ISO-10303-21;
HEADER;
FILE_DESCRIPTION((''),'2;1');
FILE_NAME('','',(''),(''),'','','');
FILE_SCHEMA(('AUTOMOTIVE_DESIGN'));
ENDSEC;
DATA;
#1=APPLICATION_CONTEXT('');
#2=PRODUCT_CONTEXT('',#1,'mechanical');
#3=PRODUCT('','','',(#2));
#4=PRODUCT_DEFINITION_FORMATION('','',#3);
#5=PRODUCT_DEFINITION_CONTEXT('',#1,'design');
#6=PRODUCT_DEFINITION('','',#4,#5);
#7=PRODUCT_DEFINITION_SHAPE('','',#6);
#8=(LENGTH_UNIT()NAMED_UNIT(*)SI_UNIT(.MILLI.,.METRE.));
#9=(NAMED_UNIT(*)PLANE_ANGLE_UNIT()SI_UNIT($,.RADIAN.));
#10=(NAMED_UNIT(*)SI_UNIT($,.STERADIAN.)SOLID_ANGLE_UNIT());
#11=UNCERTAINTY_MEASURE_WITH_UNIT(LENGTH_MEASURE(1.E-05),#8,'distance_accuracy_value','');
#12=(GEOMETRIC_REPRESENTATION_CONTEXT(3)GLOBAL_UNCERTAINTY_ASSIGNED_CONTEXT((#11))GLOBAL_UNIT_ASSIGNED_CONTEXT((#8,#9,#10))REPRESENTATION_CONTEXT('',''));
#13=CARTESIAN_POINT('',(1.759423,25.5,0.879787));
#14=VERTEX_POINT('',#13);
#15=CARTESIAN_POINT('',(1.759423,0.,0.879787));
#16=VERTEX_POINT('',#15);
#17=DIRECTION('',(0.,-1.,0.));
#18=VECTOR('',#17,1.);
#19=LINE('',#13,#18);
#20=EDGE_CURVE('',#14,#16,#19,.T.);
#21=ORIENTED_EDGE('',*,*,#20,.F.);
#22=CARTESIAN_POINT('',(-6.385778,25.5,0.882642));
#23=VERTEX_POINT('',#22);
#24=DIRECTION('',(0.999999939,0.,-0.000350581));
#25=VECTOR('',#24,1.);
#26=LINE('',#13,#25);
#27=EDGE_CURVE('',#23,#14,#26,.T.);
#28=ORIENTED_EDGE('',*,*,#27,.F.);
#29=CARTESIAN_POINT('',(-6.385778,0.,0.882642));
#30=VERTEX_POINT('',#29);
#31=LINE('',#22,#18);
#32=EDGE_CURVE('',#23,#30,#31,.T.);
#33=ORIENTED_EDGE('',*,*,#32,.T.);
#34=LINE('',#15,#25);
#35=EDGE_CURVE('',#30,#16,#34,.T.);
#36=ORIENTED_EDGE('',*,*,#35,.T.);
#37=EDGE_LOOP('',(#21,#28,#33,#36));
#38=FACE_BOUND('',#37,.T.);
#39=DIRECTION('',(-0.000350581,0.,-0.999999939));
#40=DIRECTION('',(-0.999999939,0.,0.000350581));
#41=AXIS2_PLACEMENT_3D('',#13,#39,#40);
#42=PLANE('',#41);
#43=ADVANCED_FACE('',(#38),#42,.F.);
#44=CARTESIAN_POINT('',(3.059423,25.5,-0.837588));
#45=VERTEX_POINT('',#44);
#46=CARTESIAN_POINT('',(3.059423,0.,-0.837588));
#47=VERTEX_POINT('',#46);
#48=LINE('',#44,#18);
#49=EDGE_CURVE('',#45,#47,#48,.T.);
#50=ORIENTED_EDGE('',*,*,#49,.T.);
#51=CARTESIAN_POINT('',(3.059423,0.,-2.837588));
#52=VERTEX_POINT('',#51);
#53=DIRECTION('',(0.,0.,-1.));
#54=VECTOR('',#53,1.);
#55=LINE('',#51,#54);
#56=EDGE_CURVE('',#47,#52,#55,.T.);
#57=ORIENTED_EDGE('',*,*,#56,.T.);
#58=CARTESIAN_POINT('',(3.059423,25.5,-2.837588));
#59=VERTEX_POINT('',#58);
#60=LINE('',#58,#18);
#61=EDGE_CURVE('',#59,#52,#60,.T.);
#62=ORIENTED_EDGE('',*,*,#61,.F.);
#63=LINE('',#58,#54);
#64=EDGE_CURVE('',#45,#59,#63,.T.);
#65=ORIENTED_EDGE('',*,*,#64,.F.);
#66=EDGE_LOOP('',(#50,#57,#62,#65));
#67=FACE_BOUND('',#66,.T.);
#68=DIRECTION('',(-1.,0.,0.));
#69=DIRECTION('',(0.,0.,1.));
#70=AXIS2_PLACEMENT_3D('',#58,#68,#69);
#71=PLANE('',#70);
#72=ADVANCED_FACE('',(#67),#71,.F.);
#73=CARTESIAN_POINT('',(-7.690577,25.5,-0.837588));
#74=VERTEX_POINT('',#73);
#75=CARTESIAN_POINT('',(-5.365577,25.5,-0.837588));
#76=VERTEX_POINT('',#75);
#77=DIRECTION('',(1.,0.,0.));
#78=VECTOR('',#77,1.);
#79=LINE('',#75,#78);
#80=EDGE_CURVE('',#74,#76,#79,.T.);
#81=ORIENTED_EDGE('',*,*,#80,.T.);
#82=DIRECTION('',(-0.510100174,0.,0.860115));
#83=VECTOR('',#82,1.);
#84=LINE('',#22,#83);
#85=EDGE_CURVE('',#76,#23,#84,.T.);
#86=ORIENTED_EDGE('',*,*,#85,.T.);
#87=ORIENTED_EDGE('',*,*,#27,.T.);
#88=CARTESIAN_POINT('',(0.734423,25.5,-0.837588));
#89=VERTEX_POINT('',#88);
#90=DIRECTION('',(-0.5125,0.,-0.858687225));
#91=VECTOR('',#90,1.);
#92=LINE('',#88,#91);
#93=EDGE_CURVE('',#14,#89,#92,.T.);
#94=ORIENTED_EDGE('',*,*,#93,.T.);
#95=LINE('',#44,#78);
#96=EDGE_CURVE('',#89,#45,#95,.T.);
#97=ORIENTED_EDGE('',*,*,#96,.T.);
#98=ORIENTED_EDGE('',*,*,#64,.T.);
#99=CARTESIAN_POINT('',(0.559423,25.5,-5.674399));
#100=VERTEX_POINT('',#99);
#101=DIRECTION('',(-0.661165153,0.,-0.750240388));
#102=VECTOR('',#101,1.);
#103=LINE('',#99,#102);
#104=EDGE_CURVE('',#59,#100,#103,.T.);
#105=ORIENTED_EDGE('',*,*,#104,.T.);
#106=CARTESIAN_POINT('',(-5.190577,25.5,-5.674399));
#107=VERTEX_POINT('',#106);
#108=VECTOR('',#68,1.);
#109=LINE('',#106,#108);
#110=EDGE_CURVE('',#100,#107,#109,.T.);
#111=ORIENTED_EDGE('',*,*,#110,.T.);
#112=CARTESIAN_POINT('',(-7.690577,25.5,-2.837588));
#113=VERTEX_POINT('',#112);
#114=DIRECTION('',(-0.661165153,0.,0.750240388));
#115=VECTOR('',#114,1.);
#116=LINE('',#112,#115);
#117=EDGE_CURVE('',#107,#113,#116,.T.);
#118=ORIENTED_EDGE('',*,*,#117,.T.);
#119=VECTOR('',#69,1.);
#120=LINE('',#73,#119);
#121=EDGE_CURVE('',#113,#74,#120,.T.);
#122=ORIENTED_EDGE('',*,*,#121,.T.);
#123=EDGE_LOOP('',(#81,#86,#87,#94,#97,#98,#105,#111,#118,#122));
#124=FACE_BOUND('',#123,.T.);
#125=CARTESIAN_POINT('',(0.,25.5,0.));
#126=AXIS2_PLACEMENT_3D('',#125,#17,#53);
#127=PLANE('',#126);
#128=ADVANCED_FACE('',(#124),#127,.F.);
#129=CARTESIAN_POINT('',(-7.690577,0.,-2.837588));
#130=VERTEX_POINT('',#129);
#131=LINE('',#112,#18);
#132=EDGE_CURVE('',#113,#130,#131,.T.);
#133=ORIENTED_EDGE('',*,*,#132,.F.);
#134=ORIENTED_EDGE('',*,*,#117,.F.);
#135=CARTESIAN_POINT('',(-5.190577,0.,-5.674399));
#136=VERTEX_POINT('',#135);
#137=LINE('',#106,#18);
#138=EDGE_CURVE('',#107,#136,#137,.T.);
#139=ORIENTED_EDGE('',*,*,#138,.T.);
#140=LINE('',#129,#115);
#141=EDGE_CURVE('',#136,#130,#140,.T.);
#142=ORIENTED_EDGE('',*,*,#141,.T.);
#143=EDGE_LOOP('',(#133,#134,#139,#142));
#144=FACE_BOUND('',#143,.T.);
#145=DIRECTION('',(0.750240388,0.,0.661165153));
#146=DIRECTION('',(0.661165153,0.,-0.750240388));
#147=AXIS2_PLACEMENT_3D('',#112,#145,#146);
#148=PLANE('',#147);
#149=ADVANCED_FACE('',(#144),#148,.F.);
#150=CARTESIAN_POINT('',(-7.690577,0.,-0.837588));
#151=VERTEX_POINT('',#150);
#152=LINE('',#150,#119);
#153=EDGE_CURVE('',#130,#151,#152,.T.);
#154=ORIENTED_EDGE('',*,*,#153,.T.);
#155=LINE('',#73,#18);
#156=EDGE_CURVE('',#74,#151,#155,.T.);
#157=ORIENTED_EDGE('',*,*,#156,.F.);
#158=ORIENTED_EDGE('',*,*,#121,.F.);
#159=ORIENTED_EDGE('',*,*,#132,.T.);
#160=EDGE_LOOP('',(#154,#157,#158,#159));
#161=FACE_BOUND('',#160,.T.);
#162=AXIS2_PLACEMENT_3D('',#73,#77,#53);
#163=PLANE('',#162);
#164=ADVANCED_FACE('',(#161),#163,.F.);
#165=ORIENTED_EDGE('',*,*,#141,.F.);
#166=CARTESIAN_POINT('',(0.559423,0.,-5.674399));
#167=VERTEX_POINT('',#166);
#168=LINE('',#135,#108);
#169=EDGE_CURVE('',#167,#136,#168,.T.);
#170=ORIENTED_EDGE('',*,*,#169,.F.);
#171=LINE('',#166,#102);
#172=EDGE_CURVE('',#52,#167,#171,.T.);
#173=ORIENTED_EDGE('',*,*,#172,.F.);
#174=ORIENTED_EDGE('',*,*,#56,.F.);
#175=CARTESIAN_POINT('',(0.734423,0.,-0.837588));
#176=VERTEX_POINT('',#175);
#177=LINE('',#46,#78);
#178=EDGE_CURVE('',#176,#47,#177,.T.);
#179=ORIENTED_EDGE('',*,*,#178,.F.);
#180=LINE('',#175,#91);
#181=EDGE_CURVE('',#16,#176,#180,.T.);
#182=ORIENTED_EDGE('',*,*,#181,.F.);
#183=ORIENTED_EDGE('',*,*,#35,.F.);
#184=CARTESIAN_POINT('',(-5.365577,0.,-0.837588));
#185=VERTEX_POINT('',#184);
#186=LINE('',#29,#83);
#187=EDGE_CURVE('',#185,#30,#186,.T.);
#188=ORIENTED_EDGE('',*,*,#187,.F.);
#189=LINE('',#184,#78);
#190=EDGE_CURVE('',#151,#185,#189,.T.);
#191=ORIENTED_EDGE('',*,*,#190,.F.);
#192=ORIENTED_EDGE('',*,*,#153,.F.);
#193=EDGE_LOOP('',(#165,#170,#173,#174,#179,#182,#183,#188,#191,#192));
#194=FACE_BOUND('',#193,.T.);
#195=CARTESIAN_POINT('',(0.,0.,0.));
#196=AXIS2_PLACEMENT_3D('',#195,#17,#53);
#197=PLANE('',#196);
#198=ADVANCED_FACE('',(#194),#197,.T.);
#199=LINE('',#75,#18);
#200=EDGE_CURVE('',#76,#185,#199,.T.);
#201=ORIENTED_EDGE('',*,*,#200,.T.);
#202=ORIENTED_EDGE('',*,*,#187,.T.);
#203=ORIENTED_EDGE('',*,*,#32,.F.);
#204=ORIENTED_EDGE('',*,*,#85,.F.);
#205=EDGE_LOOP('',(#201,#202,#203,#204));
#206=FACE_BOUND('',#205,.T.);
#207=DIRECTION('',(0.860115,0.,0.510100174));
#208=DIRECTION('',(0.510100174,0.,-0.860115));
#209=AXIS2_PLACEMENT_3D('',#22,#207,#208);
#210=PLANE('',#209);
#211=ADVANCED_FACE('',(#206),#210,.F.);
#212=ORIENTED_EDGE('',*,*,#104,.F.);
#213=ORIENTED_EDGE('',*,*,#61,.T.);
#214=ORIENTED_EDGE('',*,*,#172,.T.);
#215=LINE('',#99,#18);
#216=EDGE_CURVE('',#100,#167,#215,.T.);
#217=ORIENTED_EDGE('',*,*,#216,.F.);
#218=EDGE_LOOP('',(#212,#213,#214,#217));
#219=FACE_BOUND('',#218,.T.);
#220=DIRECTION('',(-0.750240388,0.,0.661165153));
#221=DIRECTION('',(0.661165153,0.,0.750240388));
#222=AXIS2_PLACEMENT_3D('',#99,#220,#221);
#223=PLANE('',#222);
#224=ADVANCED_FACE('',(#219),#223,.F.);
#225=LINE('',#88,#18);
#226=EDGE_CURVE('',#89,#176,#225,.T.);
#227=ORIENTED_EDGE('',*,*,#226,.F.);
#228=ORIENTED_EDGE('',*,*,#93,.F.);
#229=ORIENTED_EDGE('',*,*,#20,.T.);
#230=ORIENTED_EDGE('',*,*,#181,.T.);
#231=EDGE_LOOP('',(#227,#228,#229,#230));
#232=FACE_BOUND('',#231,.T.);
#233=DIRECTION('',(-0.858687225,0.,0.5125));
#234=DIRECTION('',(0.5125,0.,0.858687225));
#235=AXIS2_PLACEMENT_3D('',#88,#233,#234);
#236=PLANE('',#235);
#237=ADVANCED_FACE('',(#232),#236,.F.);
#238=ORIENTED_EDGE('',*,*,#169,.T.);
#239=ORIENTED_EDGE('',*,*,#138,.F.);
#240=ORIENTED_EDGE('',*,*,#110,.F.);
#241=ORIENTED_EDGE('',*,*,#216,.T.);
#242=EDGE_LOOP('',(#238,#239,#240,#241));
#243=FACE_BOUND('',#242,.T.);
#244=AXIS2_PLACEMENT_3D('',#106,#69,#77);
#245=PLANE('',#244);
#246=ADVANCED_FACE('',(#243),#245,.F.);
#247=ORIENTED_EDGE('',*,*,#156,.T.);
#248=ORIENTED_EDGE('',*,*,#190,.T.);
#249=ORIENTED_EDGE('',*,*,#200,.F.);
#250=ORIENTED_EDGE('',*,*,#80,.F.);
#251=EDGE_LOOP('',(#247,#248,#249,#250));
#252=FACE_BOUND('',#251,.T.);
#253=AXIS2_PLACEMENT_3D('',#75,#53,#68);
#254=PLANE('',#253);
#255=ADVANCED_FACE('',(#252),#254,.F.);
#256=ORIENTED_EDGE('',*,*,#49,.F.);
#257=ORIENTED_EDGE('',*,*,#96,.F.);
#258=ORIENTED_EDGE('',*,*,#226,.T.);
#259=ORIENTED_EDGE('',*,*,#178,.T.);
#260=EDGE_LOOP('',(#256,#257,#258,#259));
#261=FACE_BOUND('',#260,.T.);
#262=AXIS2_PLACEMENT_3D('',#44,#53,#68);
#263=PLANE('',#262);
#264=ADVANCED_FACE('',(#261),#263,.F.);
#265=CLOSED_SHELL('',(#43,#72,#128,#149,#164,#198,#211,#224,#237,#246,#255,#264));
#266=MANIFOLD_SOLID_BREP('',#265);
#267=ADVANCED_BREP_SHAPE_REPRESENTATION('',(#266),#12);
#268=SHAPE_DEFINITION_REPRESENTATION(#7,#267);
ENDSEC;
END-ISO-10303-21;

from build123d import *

# Parameters (mm, degrees)
BOSS_EXTRUDE4_DEPTH = 25.5


with BuildPart() as part:
    # Sketch7 → Boss-Extrude4 (new body)
    with BuildSketch(Plane(origin=(0, 0, 0), x_dir=(1, 0, 0), z_dir=(0, 1, 0))):
        Polygon((-5.190577257, 5.674399213), (0.559422743, 5.674399213), (3.059422743, 2.837587622), (3.059422743, 0.837587622), (0.734422743, 0.837587622), (1.759422743, -0.879786827), (-6.385777605, -0.882642377), (-5.365577257, 0.837587622), (-7.690577257, 0.837587622), (-7.690577257, 2.837587622), align=None)
    extrude(amount=BOSS_EXTRUDE4_DEPTH)


solid = part.part
